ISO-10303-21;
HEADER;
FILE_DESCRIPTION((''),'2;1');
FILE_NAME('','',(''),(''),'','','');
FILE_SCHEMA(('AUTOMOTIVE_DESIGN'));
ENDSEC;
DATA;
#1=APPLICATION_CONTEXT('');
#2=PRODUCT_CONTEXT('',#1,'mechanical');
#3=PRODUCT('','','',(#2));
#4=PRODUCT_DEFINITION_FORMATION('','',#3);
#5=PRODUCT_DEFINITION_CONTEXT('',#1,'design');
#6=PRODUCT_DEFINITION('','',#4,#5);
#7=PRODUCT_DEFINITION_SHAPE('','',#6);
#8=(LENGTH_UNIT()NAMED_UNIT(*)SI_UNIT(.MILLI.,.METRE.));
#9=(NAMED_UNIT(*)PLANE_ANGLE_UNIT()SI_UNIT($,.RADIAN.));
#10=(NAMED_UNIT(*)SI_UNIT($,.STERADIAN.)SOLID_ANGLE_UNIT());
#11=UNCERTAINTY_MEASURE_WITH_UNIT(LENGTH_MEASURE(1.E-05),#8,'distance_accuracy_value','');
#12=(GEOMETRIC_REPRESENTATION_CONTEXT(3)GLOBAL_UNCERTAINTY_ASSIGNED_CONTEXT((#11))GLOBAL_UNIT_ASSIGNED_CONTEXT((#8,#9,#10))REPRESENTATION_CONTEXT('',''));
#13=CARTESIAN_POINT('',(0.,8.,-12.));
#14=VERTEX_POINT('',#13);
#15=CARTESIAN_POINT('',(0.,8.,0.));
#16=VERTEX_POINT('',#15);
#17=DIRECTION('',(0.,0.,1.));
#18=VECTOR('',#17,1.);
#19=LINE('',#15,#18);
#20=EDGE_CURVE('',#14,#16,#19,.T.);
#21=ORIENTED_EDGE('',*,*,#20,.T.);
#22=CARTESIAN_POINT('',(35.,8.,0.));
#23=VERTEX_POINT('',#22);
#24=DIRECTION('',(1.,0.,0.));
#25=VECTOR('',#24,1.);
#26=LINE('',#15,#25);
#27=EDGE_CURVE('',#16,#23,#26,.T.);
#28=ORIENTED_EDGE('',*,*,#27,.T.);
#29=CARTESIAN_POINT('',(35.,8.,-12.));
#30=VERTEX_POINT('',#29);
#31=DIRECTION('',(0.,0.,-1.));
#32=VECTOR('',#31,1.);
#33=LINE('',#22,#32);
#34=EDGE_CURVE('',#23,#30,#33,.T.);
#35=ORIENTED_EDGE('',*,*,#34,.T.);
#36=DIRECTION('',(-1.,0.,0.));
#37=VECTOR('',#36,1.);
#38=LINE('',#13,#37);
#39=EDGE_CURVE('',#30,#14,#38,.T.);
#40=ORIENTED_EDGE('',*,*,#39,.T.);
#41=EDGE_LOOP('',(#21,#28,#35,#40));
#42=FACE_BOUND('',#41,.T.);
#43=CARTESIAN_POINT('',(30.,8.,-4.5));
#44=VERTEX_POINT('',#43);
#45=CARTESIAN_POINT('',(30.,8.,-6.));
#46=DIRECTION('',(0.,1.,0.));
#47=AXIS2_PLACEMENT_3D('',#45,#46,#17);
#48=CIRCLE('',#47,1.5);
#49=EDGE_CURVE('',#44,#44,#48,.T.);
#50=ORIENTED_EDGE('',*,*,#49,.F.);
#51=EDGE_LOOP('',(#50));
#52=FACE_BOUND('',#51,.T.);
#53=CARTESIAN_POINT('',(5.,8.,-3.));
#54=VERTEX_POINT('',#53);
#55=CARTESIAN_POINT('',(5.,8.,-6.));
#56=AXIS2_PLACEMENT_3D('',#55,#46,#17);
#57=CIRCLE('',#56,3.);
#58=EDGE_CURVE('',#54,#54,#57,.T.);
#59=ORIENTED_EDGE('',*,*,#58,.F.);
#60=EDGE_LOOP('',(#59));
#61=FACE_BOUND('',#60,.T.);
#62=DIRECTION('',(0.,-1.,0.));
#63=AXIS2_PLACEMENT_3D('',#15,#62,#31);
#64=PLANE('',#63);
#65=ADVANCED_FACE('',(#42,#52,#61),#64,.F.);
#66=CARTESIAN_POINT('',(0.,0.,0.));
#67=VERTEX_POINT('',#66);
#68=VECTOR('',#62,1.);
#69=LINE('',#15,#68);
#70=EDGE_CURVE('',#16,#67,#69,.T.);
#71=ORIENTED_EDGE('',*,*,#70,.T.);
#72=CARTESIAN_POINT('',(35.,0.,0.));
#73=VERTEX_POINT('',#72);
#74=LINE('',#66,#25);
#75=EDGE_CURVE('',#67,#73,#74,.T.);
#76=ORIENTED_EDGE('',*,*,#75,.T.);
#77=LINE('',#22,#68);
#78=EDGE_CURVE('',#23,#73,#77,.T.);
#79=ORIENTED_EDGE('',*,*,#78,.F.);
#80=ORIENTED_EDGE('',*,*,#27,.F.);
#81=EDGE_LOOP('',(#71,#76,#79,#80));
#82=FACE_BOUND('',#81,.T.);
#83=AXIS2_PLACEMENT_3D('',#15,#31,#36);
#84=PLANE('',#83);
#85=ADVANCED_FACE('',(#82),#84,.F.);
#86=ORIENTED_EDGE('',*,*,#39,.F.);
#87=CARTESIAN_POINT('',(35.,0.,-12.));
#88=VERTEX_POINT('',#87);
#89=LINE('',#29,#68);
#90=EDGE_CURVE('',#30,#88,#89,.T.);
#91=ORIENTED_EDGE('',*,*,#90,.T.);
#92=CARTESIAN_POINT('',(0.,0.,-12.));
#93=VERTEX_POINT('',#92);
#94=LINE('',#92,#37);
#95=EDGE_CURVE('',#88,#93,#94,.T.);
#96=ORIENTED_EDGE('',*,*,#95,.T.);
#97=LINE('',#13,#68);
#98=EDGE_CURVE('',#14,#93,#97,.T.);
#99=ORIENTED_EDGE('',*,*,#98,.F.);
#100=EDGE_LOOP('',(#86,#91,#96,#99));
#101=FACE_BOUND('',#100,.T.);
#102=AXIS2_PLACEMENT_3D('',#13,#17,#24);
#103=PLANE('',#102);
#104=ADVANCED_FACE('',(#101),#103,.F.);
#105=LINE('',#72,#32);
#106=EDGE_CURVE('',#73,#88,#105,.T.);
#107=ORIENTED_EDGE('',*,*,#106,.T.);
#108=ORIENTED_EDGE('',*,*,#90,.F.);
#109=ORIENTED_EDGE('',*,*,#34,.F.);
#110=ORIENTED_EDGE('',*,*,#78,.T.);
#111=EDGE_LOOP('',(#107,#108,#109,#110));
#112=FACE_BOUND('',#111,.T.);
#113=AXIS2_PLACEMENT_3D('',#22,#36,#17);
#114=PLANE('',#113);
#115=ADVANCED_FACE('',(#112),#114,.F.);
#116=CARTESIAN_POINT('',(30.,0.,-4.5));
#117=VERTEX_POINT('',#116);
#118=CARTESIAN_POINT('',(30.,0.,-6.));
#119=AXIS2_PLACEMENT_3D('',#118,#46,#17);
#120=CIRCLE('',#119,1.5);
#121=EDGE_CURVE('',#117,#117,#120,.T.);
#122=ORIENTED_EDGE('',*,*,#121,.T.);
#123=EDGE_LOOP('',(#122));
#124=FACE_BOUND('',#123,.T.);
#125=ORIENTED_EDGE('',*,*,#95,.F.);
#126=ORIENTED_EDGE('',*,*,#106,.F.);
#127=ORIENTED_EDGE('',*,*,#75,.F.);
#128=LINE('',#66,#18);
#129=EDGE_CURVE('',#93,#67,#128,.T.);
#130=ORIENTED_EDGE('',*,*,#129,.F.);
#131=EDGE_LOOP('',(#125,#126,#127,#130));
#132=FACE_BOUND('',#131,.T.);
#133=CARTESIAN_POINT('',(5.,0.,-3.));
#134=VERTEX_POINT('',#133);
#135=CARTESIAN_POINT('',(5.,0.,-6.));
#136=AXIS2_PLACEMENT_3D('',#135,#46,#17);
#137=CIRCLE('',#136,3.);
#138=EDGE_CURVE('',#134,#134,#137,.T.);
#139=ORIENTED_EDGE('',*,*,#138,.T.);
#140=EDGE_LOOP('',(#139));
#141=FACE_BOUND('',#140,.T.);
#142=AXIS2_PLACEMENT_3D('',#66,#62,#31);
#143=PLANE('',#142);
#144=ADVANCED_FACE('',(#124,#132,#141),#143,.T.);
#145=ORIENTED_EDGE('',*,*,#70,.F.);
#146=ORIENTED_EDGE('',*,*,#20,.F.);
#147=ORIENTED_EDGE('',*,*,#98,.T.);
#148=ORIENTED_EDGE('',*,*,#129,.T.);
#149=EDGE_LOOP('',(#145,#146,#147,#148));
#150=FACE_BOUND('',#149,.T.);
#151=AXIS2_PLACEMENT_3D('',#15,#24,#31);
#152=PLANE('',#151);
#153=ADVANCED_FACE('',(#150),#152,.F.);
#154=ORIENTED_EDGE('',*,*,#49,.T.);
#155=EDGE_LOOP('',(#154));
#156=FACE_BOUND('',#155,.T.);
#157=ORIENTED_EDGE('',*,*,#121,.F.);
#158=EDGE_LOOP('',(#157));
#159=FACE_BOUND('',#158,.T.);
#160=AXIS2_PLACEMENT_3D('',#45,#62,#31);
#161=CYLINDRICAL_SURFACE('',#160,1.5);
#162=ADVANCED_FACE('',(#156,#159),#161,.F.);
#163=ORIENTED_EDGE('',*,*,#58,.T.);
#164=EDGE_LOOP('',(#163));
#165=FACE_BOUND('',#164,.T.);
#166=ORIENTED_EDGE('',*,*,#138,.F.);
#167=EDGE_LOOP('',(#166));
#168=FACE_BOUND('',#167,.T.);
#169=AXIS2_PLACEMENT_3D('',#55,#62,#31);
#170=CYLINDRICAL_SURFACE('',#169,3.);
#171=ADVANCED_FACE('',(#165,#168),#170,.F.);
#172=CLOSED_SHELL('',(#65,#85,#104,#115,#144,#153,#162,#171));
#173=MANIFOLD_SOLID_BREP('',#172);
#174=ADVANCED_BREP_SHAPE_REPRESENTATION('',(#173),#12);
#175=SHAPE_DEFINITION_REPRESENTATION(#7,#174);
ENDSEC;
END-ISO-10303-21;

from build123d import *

# Parameters (mm, degrees)
SKETCH2_W           = 35
SKETCH2_H           = 12
SKETCH2_R           = 3
SKETCH2_R_2         = 1.5
BOSS_EXTRUDE1_DEPTH = 8


with BuildPart() as part:
    # Sketch2 → Boss-Extrude1 (new body)
    with BuildSketch(Plane(origin=(0, 0, 0), x_dir=(1, 0, 0), z_dir=(0, 1, 0))):
        with Locations((17.5, 6)):
            Rectangle(SKETCH2_W, SKETCH2_H)
        with Locations(Location((5, 6, 0), (0, 0, 270))):
            Circle(SKETCH2_R, mode=Mode.SUBTRACT)
        with Locations(Location((30, 6, 0), (0, 0, 270))):
            Circle(SKETCH2_R_2, mode=Mode.SUBTRACT)
    extrude(amount=BOSS_EXTRUDE1_DEPTH)


solid = part.part
